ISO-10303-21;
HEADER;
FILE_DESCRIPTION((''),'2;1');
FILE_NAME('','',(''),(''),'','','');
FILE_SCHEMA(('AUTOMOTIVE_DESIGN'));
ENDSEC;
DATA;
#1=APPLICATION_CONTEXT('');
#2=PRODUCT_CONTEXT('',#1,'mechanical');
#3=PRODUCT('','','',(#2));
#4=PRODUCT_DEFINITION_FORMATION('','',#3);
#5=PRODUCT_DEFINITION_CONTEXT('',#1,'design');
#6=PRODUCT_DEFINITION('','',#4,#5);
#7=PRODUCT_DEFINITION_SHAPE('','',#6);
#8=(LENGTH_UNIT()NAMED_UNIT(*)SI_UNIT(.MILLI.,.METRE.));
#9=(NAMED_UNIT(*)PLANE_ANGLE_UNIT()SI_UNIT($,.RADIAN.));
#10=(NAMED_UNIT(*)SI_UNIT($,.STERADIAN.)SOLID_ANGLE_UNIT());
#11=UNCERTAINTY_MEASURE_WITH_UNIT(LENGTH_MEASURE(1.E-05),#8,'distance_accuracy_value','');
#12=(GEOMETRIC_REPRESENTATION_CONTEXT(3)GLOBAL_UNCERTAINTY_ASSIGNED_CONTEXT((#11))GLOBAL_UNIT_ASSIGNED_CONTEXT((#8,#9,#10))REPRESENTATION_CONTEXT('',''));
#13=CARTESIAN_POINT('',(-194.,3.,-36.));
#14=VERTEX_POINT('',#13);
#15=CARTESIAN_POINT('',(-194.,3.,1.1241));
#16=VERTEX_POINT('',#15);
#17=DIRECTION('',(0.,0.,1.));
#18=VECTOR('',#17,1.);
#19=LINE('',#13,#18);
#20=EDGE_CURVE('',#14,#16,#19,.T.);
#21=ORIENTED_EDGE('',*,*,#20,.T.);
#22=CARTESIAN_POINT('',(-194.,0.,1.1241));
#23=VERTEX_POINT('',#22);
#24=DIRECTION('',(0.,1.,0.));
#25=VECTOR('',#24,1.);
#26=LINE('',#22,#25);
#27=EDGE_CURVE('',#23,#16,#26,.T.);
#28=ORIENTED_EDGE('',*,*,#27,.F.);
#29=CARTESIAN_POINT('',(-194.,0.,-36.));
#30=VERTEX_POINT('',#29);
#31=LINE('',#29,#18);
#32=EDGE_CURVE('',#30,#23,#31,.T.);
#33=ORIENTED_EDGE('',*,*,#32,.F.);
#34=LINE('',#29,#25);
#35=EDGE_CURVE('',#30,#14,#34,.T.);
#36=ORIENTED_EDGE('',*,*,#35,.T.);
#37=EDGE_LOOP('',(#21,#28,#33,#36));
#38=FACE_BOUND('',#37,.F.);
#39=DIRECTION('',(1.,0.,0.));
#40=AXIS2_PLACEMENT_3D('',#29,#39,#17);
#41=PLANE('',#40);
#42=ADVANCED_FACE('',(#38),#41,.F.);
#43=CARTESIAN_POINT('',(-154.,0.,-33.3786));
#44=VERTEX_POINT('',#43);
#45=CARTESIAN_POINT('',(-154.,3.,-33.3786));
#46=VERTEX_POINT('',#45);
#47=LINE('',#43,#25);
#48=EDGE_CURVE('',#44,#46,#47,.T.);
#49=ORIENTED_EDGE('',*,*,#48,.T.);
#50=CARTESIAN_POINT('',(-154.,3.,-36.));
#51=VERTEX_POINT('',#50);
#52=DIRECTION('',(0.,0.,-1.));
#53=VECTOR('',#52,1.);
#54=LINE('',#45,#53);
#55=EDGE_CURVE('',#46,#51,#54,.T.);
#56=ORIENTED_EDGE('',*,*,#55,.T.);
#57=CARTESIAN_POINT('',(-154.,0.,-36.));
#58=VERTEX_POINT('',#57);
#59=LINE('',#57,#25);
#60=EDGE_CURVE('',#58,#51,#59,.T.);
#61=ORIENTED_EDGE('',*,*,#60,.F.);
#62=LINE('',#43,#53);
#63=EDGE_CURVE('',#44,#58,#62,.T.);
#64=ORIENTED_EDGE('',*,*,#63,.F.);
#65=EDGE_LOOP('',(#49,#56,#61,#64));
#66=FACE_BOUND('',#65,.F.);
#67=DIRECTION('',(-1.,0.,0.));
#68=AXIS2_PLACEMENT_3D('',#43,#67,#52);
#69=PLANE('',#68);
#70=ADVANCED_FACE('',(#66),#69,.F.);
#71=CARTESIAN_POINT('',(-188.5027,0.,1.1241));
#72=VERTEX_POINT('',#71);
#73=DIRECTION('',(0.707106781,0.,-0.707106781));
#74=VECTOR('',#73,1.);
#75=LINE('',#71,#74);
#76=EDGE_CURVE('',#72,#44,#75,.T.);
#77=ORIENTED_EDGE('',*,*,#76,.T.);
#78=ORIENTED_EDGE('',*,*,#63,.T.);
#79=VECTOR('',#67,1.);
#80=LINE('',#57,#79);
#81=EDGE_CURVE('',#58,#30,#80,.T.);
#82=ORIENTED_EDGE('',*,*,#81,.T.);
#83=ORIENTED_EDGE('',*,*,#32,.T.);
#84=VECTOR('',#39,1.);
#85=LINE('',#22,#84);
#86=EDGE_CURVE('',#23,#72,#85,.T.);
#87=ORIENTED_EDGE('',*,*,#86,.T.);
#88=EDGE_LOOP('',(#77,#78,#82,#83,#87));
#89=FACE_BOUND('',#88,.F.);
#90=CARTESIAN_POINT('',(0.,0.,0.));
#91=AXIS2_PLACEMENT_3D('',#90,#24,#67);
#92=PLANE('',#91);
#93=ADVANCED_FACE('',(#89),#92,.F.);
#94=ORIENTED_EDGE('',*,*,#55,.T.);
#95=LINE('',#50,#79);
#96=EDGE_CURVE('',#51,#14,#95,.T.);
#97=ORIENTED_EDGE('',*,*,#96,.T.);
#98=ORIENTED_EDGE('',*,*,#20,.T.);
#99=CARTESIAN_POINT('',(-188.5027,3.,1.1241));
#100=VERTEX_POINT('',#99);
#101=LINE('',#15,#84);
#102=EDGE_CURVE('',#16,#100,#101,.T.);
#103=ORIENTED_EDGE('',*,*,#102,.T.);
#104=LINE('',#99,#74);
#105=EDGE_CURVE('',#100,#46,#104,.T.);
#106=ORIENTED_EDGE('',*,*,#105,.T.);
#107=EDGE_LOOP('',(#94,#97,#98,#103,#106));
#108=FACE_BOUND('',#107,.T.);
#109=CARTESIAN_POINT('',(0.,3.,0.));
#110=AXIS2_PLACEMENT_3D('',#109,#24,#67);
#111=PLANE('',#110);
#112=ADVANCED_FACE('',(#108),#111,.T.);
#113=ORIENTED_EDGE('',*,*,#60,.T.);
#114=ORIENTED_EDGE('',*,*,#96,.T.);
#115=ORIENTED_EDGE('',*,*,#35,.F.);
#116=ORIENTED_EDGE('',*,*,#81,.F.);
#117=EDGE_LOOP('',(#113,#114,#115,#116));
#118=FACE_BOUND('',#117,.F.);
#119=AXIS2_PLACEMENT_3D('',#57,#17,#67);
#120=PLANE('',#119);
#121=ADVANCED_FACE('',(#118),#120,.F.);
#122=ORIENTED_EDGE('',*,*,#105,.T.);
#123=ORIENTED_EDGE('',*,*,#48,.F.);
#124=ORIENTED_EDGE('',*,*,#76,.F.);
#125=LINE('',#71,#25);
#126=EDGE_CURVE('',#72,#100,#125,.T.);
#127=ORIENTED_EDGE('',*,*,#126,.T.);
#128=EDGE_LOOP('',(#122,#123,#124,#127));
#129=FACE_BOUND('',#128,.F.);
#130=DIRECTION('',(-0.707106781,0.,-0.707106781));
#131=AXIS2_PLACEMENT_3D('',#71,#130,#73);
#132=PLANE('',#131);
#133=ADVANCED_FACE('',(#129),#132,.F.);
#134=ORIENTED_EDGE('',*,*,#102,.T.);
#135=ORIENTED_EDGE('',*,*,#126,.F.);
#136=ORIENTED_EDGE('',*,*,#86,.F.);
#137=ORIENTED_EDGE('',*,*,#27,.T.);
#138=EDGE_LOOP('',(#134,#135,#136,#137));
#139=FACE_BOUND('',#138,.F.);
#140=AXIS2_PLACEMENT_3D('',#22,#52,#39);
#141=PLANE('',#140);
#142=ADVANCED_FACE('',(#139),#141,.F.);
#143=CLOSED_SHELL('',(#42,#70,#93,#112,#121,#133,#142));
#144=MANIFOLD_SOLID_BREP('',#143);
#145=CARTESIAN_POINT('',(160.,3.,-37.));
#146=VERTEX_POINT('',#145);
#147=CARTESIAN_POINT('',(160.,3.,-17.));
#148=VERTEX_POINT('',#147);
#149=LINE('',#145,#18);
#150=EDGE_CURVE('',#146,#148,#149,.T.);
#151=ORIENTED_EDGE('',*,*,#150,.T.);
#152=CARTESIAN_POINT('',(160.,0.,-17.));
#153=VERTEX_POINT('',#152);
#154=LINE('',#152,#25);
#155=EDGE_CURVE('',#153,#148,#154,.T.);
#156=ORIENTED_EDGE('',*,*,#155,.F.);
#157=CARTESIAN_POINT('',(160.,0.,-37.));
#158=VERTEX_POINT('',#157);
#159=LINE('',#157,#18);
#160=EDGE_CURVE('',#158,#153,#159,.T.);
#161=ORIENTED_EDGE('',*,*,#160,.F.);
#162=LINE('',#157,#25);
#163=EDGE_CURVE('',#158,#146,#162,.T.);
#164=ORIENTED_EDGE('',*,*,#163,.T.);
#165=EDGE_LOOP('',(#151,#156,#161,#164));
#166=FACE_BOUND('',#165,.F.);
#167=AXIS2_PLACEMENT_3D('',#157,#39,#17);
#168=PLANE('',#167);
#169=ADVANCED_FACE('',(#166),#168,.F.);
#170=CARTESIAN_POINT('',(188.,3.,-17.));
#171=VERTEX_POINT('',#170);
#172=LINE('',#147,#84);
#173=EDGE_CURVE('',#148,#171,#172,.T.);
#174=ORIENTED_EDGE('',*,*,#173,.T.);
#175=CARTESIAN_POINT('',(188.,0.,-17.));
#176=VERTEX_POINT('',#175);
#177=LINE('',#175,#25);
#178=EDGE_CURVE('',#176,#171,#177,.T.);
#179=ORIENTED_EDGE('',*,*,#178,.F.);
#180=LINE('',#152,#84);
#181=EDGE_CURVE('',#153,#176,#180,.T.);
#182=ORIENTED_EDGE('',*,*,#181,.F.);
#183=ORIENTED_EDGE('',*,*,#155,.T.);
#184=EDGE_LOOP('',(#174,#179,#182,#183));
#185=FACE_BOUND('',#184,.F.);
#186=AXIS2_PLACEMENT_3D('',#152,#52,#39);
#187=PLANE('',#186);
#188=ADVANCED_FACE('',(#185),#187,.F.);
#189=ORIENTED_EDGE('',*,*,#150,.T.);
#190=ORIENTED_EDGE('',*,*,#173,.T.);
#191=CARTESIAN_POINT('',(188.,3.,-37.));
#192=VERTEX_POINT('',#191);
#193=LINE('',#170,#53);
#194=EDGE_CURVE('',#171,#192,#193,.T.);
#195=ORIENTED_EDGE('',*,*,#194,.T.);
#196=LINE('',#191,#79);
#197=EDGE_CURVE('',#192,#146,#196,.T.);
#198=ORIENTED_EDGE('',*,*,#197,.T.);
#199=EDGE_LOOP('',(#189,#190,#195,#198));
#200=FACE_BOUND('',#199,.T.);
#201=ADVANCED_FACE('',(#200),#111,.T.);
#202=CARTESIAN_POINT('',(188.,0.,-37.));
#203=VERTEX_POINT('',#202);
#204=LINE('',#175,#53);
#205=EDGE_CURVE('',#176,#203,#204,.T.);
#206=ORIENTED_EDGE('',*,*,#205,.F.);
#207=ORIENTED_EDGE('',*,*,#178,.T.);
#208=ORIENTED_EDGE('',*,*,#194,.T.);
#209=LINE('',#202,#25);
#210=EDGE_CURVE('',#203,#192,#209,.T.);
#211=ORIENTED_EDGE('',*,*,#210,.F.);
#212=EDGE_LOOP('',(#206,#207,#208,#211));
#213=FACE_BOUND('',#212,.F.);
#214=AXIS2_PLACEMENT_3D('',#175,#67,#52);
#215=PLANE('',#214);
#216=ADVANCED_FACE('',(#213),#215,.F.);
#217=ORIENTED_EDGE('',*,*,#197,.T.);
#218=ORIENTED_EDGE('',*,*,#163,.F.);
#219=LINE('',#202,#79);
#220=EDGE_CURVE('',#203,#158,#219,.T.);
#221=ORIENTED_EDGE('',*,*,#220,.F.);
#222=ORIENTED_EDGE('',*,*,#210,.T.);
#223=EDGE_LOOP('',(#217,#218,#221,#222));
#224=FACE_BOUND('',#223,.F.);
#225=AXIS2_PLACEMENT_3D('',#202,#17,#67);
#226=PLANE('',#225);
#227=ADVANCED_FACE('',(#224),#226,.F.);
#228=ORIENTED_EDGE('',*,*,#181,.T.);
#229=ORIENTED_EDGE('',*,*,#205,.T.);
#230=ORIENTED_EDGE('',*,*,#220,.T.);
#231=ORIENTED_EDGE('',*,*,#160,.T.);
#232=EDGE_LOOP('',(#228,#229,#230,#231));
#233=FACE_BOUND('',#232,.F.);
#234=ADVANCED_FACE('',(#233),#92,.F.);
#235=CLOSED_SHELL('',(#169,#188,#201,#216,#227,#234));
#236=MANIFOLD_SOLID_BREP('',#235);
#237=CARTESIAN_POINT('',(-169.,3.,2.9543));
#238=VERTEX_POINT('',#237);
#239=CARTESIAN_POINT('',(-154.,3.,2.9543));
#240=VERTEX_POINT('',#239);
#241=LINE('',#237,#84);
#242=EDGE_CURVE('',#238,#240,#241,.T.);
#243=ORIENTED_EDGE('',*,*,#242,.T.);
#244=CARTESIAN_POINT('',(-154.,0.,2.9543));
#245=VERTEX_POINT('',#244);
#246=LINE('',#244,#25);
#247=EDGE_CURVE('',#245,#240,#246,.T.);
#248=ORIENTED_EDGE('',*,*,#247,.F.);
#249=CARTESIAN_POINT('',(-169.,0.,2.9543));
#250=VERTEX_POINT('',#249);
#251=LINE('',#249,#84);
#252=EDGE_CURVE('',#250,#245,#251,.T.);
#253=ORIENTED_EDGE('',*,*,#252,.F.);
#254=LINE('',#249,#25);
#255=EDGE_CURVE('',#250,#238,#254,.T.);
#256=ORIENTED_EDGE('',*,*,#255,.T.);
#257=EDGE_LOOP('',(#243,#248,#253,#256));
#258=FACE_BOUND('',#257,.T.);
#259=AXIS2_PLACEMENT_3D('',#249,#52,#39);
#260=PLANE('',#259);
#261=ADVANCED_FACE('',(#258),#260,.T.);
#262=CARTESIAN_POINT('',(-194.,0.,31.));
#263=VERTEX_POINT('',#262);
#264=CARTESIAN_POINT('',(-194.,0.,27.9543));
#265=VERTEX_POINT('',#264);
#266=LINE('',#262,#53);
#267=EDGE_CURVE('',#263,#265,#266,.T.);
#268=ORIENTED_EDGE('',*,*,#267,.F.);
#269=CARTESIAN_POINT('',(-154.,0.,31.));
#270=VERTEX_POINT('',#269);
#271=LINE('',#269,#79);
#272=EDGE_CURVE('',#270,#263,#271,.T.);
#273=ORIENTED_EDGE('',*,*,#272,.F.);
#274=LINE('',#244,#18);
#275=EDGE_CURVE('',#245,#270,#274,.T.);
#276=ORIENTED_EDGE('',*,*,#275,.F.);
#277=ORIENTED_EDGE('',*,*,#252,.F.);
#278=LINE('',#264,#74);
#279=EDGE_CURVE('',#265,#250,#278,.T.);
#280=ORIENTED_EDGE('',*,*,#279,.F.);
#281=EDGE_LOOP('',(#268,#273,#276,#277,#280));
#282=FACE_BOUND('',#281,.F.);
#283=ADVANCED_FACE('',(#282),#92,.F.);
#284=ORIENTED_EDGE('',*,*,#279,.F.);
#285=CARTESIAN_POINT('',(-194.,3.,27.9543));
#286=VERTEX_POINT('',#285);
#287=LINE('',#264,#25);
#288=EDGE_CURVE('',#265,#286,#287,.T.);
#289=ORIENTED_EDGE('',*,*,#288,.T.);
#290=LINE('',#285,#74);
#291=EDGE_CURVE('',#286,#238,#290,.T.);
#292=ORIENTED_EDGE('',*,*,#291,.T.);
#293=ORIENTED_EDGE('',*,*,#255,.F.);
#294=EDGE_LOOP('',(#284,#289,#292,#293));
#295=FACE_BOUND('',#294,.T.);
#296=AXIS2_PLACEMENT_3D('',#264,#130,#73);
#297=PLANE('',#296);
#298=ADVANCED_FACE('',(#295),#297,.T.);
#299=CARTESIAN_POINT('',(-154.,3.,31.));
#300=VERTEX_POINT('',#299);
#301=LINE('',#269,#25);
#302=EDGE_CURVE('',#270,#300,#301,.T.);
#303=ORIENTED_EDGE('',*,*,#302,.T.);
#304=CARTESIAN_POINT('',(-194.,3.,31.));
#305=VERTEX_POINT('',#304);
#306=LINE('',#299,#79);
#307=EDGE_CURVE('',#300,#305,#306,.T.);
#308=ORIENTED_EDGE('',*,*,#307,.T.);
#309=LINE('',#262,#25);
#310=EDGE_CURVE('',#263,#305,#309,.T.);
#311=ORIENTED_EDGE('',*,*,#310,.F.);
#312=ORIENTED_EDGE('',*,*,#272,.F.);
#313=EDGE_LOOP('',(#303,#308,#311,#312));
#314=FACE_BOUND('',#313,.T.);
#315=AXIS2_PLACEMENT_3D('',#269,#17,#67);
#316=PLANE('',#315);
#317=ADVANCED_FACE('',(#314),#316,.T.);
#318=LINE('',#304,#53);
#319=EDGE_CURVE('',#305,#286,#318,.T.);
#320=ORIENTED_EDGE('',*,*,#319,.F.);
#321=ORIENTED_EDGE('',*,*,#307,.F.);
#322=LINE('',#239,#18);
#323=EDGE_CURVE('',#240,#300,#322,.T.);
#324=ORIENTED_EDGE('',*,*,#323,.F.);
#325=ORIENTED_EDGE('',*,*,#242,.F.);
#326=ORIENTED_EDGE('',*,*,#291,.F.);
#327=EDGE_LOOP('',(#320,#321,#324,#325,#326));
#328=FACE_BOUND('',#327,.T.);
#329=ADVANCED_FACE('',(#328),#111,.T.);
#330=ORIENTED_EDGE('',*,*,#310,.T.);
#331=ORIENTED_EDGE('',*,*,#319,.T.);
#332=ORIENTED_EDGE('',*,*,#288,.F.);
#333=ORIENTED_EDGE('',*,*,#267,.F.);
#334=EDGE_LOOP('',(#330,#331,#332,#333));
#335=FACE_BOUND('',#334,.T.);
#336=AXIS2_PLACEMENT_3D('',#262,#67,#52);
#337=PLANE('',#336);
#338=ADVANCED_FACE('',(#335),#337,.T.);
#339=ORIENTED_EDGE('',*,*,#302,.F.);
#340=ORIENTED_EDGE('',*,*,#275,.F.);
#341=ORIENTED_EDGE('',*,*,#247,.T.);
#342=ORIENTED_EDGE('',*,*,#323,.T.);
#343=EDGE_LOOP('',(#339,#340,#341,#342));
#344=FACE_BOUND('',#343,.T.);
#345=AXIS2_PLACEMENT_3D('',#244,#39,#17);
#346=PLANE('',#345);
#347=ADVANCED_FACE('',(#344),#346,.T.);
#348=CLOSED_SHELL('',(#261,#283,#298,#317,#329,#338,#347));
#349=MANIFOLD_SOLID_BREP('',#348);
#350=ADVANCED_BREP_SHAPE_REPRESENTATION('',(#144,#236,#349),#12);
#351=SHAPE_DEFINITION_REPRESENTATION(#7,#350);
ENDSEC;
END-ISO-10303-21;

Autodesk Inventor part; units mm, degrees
ref_plane "YZ Plane" through (0, 0, 0) normal (1, 0, 0) x (0, 1, 0)
ref_plane "XZ Plane" through (0, 0, 0) normal (0, 1, 0) x (-1, 0, 0)
ref_plane "XY Plane" through (0, 0, 0) normal (0, 0, 1) x (1, 0, 0)
sketch "Sketch1" plane through (0, 0, 0) normal (0, 1, 0) x (-1, 0, 0)
  line L0 (254, -152.4) -> (-254, -152.4) construction
  line L1 (-254, -152.4) -> (-254, 152.4) construction
  line L2 (-254, 152.4) -> (254, 152.4) construction
  line L3 (254, 152.4) -> (254, -152.4) construction
  line L4 (250, -150) -> (-250, -150) construction
  line L5 (-250, -150) -> (-250, 150) construction
  line L6 (-250, 150) -> (250, 150) construction
  line L7 (250, 150) -> (250, -150) construction
  line L8 (35, -51) -> (-35, -51) construction
  line L9 (-35, -51) -> (-35, 51) construction
  line L10 (-35, 51) -> (35, 51) construction
  line L11 (35, 51) -> (35, -51) construction
  line L12 (-52, -51) -> (-122, -51) construction
  line L13 (-52, 51) -> (-52, -51) construction
  line L14 (-122, 51) -> (-52, 51) construction
  line L15 (-122, -51) -> (-122, 51) construction
  line L16 (-139, -51) -> (-209, -51) construction
  line L17 (-139, 51) -> (-139, -51) construction
  line L18 (-209, 51) -> (-139, 51) construction
  line L19 (-209, -51) -> (-209, 51) construction
  line L20 (122, -51) -> (52, -51) construction
  line L21 (122, 51) -> (122, -51) construction
  line L22 (52, 51) -> (122, 51) construction
  line L23 (52, -51) -> (52, 51) construction
  line L24 (35, -51) -> (-35, -51) construction
  line L25 (35, 51) -> (35, -51) construction
  line L26 (-35, 51) -> (35, 51) construction
  line L27 (-35, -51) -> (-35, 51) construction
  line L28 (-52, -51) -> (-122, -51) construction
  line L29 (-52, 51) -> (-52, -51) construction
  line L30 (-122, 51) -> (-52, 51) construction
  line L31 (-122, -51) -> (-122, 51) construction
  line L32 (209, -51) -> (139, -51) construction
  line L33 (209, 51) -> (209, -51) construction
  line L34 (139, 51) -> (209, 51) construction
  line L35 (139, -51) -> (139, 51) construction
  line L36 (122, -51) -> (52, -51) construction
  line L37 (122, 51) -> (122, -51) construction
  line L38 (52, 51) -> (122, 51) construction
  line L39 (52, -51) -> (52, 51) construction
  line L40 (35, -51) -> (-35, -51) construction
  line L41 (35, 51) -> (35, -51) construction
  line L42 (-35, 51) -> (35, 51) construction
  line L43 (-35, -51) -> (-35, 51) construction
  line L44 (35, 51) -> (35, -51)
  line L45 (35, -51) -> (-7, -51)
  line L46 (-7, -51) -> (-7, 17)
  line L47 (-7, 17) -> (-21, 31)
  line L48 (-21, 31) -> (-21, -51)
  line L49 (-21, -51) -> (-35, -51)
  line L50 (-35, -51) -> (-35, 51)
  line L51 (-35, 51) -> (7, 51)
  line L52 (7, 51) -> (7, -22)
  line L53 (7, -22) -> (21, -36)
  line L54 (21, -36) -> (21, 51)
  line L55 (21, 51) -> (35, 51)
  line L56 (0, -51) -> (0, 51) construction
  line L57 (-122, -51) -> (-52, -51)
  line L58 (-52, -51) -> (-52, 51)
  line L59 (-52, 51) -> (-122, 51)
  line L60 (-122, 51) -> (-122, -21)
  line L61 (-122, -21) -> (-96, -21)
  line L62 (-96, -21) -> (-96, -6)
  line L63 (-96, -6) -> (-107, -6)
  line L64 (-107, -6) -> (-107, 31)
  line L65 (-107, 31) -> (-67, 31)
  line L66 (-67, 31) -> (-67, -36)
  line L67 (-67, -36) -> (-122, -36)
  line L68 (-122, -36) -> (-122, -51)
  line L69 (-139, 51) -> (-160, 51)
  line L70 (-160, 51) -> (-160, -2)
  line L71 (-160, -2) -> (-188, -2)
  line L72 (-188, -2) -> (-188, 51)
  line L73 (-188, 51) -> (-209, 51)
  line L74 (-209, 51) -> (-209, -51)
  line L75 (-209, -51) -> (-139, -51)
  line L76 (-139, -51) -> (-139, 51)
  line L77 (-160, -37) -> (-160, -17)
  line L78 (-160, -17) -> (-188, -17)
  line L79 (-188, -17) -> (-188, -37)
  line L80 (-188, -37) -> (-160, -37)
  line L81 (122, -51) -> (105, -51)
  line L82 (105, -51) -> (105, 31)
  line L83 (105, 31) -> (69, 31)
  line L84 (69, 31) -> (69, -51)
  line L85 (69, -51) -> (52, -51)
  line L86 (52, -51) -> (52, 51)
  line L87 (52, 51) -> (122, 51)
  line L88 (122, 51) -> (122, -51)
  line L89 (209, -51) -> (209, 51)
  line L90 (209, 51) -> (139, 51)
  line L91 (139, -51) -> (209, -51)
  line L92 (194, -36) -> (194, 1.1241)
  line L93 (194, -17.438) -> (166.3593, -17.438) construction
  line L94 (149.2402, 0) -> (139, 0) construction
  line L95 (194, 1.1241) -> (188.5027, 1.1241)
  line L96 (188.5027, 1.1241) -> (154, -33.3786)
  line L97 (188.5027, 1.1241) -> (237.2968, 1.1241) construction
  line L98 (154, -33.3786) -> (154, -36)
  line L99 (154, -36) -> (194, -36)
  line L100 (149.2402, 0) -> (139, 0)
  line L101 (169, 2.9543) -> (154, 2.9543)
  line L102 (154, 2.9543) -> (154, 31)
  line L103 (154, 31) -> (194, 31)
  line L104 (194, 31) -> (194, 27.9543)
  line L105 (194, 27.9543) -> (169, 2.9543)
  line L106 (194, 27.9543) -> (222.5108, 27.9543) construction
  line L107 (232, -74) -> (-232, -74) construction
  line L108 (-232, -74) -> (-232, 74)
  line L109 (-232, 74) -> (232, 74)
  line L110 (232, 74) -> (232, -74)
  line L111 (139, -51) -> (139, -27.0457)
  line L112 (139, -27.0457) -> (154, -12.0457)
  line L113 (139, -27.0457) -> (160.2132, -27.0457) construction
  line L114 (154, -12.0457) -> (139, -12.0457)
  line L115 (139, 51) -> (139, -12.0457)
  line L116 (154, -12.0457) -> (169, 2.9543) construction
  circle A0 centre (0, -56) radius 1.85
  circle A1 centre (107, -56) radius 1.85
  circle A2 centre (-107, -56) radius 1.85
  circle A3 centre (107, 56) radius 1.85
  circle A4 centre (-107, 56) radius 1.85
  circle A5 centre (0, 56) radius 1.85
  circle A6 centre (214, -56) radius 1.85
  circle A7 centre (214, 56) radius 1.85
  circle A8 centre (-214, 56) radius 1.85
  circle A9 centre (-214, -56) radius 1.85
  line L117 (232, -74) -> (222.1, -74)
  line L118 (222.1, -74) -> (222.1, -71.05)
  line L119 (222.1, -71.05) -> (212.2, -71.05)
  line L120 (212.2, -71.05) -> (212.2, -74)
  point P0 (0, 0)
  point P1 (254, 0)
  point P2 (0, -152.4)
  point P3 (0, -150)
  point P4 (-250, 0)
  point P5 (-40, 0)
  point P6 (0, -80)
  point P7 (0, -51)
  point P8 (-35, 0)
  point P9 (-87, -51)
  point P10 (-87, 0)
  point P11 (-122, 0)
  point P12 (-174, -51)
  point P13 (-174, 0)
  point P14 (-209, 0)
  point P15 (87, -51)
  point P16 (87, 0)
  point P17 (52, 0)
  point P18 (0, -51)
  point P19 (0, 0)
  point P20 (-35, 0)
  point P21 (-87, -51)
  point P22 (-87, 0)
  point P23 (-122, 0)
  point P24 (174, -51)
  point P25 (174, 0)
  point P26 (139, 0)
  point P27 (87, -51)
  point P28 (87, 0)
  point P29 (52, 0)
  point P30 (0, 0)
  point P31 (-35, 0)
  point P32 (149.2402, 0)
  point P33 (128.5, -20.7402)
  point P34 (-232, 0)
  point P35 (0, 0)
  point P36 (0, -74)
  point P37 (192.2235, 31)
  dimension "d0" = 508
  dimension "d1" = 304.8
  dimension "d2" = 500
  dimension "d3" = 300
  dimension "d6" = 70
  dimension "d7" = 102
  dimension "d10" = 87
  dimension "d13" = 87
  dimension "d16" = 135
  dimension "d17" = 135
  dimension "d18" = 14
  dimension "d19" = 14
  dimension "d20" = 15
  dimension "d21" = 20
  dimension "d22" = 15
  dimension "d23" = 15
  dimension "d24" = 20
  dimension "d25" = 15
  dimension "d26" = 15
  dimension "d27" = 11
  dimension "d28" = 15
  dimension "d29" = 21
  dimension "d30" = 21
  dimension "d31" = 14
  dimension "d32" = 20
  dimension "d33" = 15
  dimension "d34" = 17
  dimension "d35" = 20
  dimension "d36" = 17
  dimension "d43" = 0
  dimension "d45" = 15
  dimension "d47" = 135
  dimension "d49" = 15
  dimension "d51" = 135
  dimension "d56" = 20
  dimension "d57" = 45
  dimension "d58" = 15
  dimension "d59" = 15
  dimension "d62" = 45
  dimension "d63" = 464
  dimension "d64" = 15
  dimension "d67" = 148
  dimension "d68" = 418
  dimension "d69" = 102
  dimension "d70" = 14
  dimension "d71" = 3.7
  dimension "d72" = 5
  dimension "d73" = 5
  dimension "d74" = 107
  dimension "d75" = 107
  dimension "d76" = 107
  dimension "d77" = 107
  dimension "d78" = 9.9
  dimension "d79" = 2.95
  dimension "d80" = 9.9
extrude "Extrusion2" add sketch "Sketch1" along normal blind 3 contours L80 L79 L78 L77 | L99 L98 L96 L95 L92 | L101 L102 L103 L104 L105
equation "\"kerf\" = 0.1"
equation "\"thickness\" = 3"
properties part number "BungaSign-Bigger-Seams"
